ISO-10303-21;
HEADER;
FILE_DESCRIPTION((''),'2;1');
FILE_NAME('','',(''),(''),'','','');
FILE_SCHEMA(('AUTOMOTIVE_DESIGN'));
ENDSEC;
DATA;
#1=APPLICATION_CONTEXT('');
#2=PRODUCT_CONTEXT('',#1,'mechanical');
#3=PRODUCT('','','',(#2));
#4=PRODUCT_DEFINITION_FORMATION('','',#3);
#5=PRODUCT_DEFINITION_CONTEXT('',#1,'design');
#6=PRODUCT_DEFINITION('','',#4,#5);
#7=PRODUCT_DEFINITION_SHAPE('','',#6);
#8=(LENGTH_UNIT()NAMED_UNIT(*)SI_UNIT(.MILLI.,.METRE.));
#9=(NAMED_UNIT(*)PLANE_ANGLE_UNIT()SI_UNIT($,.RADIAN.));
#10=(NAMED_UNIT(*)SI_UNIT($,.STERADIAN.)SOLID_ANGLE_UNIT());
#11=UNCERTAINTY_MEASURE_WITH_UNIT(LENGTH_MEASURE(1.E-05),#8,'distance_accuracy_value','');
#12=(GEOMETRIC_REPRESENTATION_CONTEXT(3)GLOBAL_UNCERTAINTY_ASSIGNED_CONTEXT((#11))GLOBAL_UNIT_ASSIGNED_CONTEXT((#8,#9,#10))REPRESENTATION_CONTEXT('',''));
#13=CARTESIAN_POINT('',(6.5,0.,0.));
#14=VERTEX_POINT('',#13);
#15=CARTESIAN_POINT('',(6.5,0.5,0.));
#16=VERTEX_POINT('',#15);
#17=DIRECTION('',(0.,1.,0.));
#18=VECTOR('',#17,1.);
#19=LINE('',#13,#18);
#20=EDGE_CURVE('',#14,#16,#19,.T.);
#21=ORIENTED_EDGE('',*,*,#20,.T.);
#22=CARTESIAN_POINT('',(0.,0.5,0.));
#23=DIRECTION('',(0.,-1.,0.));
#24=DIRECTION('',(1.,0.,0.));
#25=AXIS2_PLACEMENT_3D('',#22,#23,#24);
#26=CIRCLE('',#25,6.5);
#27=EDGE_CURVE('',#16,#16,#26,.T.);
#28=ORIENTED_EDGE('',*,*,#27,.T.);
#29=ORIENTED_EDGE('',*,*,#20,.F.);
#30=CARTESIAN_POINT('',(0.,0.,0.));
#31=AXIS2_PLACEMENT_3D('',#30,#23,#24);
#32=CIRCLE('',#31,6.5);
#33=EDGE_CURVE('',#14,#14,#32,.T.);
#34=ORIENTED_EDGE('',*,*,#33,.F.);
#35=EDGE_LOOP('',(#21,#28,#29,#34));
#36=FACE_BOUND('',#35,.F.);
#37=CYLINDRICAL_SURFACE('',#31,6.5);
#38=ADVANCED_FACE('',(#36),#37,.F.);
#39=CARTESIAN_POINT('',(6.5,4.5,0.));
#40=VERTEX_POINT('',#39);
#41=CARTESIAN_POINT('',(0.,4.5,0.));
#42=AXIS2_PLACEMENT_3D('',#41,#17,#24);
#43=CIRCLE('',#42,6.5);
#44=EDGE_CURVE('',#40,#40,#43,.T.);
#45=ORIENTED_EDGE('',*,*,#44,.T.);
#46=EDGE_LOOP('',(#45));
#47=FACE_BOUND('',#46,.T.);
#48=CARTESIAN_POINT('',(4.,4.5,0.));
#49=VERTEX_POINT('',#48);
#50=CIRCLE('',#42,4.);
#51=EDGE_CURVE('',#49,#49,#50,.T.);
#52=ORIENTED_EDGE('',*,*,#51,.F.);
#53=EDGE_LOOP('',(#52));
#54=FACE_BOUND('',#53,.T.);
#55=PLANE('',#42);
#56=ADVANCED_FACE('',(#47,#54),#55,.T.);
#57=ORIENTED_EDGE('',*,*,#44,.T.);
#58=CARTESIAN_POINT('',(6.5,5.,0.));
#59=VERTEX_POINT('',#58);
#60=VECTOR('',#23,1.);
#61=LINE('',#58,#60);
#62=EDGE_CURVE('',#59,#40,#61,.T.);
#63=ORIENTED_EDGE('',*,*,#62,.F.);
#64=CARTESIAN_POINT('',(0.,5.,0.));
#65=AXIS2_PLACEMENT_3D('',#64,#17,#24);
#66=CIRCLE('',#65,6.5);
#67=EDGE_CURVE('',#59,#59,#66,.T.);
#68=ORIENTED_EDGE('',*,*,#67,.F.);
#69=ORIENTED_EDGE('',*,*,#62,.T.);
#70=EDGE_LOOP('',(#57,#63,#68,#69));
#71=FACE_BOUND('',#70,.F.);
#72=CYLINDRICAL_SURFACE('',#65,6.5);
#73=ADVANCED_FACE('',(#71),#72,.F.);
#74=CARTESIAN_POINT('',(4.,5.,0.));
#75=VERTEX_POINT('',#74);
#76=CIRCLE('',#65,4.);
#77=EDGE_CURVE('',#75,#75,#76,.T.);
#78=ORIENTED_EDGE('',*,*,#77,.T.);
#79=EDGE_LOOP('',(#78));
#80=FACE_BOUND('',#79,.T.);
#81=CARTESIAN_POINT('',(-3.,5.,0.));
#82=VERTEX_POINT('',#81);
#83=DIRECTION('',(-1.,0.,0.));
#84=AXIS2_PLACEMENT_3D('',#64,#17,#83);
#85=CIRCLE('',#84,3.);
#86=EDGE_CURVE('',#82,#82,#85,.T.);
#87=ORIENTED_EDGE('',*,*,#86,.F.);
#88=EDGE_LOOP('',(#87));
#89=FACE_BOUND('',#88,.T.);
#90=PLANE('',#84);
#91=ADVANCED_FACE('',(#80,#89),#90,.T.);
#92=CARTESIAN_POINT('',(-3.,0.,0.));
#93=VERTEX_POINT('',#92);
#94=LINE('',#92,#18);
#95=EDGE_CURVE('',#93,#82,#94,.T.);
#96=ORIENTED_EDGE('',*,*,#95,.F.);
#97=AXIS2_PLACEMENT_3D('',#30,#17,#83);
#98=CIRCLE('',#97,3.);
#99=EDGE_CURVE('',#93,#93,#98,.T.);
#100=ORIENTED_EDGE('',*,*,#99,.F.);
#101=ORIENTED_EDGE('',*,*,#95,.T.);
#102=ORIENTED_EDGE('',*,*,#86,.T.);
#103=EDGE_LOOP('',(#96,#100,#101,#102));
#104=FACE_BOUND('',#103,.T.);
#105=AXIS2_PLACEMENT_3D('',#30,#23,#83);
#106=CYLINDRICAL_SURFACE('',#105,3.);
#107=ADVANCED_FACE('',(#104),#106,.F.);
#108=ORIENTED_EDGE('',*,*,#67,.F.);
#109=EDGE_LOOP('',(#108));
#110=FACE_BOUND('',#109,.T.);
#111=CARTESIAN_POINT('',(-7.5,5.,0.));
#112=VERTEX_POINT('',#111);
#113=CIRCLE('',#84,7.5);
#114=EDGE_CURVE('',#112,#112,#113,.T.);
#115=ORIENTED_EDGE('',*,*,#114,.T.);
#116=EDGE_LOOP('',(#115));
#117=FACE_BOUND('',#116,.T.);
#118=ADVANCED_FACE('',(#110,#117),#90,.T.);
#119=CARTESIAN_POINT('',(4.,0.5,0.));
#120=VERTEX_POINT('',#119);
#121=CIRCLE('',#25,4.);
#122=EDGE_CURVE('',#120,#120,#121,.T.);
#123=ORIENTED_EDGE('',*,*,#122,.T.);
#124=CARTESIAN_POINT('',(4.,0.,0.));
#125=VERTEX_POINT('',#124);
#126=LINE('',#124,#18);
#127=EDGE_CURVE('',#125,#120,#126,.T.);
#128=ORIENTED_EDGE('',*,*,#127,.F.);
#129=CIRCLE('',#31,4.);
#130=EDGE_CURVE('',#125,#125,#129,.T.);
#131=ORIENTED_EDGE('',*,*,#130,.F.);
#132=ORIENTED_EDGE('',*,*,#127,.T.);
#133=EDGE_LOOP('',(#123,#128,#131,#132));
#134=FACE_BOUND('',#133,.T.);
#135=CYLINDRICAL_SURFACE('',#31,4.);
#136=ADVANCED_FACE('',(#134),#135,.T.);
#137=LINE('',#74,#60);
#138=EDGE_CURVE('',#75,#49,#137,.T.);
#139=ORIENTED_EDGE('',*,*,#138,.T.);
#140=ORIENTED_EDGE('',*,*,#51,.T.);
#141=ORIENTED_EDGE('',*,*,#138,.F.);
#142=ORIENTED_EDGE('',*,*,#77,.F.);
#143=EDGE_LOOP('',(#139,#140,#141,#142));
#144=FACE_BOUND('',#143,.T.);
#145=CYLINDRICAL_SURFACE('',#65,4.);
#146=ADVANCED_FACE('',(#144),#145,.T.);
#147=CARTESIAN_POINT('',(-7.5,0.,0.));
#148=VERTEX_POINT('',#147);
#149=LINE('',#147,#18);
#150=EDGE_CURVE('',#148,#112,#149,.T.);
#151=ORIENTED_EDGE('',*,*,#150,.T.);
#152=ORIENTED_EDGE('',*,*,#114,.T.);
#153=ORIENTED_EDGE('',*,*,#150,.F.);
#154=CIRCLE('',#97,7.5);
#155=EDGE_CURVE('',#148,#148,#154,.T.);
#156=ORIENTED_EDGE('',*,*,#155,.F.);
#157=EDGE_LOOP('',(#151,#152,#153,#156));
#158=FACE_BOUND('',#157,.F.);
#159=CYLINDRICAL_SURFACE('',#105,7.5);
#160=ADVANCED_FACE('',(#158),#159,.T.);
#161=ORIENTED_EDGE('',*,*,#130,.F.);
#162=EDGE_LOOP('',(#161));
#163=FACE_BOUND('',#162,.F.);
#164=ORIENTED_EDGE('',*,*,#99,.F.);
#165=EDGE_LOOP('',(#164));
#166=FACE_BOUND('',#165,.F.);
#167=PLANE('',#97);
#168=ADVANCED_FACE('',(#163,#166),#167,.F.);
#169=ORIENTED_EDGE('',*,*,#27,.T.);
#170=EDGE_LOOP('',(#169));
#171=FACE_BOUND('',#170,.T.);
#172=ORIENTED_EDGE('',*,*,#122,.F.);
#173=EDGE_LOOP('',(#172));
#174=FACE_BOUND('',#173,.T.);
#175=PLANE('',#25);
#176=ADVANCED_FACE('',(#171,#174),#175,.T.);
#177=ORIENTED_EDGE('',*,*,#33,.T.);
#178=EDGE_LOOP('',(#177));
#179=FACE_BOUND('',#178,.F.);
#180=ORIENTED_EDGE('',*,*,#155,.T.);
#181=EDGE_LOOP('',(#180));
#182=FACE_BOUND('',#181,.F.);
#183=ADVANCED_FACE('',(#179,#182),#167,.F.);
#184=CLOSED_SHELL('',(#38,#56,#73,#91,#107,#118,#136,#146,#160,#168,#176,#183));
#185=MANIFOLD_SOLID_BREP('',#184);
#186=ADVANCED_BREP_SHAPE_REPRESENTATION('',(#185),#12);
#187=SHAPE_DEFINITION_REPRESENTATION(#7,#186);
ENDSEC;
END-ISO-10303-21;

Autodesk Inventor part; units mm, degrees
ref_plane "YZ Plane" through (0, 0, 0) normal (1, 0, 0) x (0, 1, 0)
ref_plane "XZ Plane" through (0, 0, 0) normal (0, 1, 0) x (-1, 0, 0)
ref_plane "XY Plane" through (0, 0, 0) normal (0, 0, 1) x (1, 0, 0)
sketch "Sketch1" plane through (0, 0, 0) normal (0, 1, 0) x (-1, 0, 0)
  circle A0 centre (0, 0) radius 7.5
  circle A1 centre (0, 0) radius 3
  dimension "d0" = 6
  dimension "d1" = 15
extrude "Extrusion1" add sketch "Sketch1" along normal blind 5
sketch "Sketch2" plane through (0, 5, 0) normal (0, 1, 0) x (1, 0, 0)
  circle A0 centre (0, 0) radius 7.5 projected
  circle A1 centre (0, 0) radius 3 projected
  circle A2 centre (0, 0) radius 3 projected
  circle A3 centre (0, 0) radius 6.5
  circle A4 centre (0, 0) radius 4
  dimension "d4" = 1
  dimension "d5" = 1
extrude "Extrusion2" cut sketch "Sketch2" against normal blind 0.5 contours A3
sketch "Sketch3" plane through (0, 0, 0) normal (0, -1, 0) x (1, 0, 0)
  circle A0 centre (0, 0) radius 7.5 projected
  circle A1 centre (0, 0) radius 3 projected
  circle A2 centre (0, 0) radius 4
  circle A3 centre (0, 0) radius 6.5
  dimension "d8" = 1
  dimension "d9" = 1
extrude "Extrusion3" cut sketch "Sketch3" against normal blind 0.5 contours A3
properties part number "bearing_d6D15b5"
